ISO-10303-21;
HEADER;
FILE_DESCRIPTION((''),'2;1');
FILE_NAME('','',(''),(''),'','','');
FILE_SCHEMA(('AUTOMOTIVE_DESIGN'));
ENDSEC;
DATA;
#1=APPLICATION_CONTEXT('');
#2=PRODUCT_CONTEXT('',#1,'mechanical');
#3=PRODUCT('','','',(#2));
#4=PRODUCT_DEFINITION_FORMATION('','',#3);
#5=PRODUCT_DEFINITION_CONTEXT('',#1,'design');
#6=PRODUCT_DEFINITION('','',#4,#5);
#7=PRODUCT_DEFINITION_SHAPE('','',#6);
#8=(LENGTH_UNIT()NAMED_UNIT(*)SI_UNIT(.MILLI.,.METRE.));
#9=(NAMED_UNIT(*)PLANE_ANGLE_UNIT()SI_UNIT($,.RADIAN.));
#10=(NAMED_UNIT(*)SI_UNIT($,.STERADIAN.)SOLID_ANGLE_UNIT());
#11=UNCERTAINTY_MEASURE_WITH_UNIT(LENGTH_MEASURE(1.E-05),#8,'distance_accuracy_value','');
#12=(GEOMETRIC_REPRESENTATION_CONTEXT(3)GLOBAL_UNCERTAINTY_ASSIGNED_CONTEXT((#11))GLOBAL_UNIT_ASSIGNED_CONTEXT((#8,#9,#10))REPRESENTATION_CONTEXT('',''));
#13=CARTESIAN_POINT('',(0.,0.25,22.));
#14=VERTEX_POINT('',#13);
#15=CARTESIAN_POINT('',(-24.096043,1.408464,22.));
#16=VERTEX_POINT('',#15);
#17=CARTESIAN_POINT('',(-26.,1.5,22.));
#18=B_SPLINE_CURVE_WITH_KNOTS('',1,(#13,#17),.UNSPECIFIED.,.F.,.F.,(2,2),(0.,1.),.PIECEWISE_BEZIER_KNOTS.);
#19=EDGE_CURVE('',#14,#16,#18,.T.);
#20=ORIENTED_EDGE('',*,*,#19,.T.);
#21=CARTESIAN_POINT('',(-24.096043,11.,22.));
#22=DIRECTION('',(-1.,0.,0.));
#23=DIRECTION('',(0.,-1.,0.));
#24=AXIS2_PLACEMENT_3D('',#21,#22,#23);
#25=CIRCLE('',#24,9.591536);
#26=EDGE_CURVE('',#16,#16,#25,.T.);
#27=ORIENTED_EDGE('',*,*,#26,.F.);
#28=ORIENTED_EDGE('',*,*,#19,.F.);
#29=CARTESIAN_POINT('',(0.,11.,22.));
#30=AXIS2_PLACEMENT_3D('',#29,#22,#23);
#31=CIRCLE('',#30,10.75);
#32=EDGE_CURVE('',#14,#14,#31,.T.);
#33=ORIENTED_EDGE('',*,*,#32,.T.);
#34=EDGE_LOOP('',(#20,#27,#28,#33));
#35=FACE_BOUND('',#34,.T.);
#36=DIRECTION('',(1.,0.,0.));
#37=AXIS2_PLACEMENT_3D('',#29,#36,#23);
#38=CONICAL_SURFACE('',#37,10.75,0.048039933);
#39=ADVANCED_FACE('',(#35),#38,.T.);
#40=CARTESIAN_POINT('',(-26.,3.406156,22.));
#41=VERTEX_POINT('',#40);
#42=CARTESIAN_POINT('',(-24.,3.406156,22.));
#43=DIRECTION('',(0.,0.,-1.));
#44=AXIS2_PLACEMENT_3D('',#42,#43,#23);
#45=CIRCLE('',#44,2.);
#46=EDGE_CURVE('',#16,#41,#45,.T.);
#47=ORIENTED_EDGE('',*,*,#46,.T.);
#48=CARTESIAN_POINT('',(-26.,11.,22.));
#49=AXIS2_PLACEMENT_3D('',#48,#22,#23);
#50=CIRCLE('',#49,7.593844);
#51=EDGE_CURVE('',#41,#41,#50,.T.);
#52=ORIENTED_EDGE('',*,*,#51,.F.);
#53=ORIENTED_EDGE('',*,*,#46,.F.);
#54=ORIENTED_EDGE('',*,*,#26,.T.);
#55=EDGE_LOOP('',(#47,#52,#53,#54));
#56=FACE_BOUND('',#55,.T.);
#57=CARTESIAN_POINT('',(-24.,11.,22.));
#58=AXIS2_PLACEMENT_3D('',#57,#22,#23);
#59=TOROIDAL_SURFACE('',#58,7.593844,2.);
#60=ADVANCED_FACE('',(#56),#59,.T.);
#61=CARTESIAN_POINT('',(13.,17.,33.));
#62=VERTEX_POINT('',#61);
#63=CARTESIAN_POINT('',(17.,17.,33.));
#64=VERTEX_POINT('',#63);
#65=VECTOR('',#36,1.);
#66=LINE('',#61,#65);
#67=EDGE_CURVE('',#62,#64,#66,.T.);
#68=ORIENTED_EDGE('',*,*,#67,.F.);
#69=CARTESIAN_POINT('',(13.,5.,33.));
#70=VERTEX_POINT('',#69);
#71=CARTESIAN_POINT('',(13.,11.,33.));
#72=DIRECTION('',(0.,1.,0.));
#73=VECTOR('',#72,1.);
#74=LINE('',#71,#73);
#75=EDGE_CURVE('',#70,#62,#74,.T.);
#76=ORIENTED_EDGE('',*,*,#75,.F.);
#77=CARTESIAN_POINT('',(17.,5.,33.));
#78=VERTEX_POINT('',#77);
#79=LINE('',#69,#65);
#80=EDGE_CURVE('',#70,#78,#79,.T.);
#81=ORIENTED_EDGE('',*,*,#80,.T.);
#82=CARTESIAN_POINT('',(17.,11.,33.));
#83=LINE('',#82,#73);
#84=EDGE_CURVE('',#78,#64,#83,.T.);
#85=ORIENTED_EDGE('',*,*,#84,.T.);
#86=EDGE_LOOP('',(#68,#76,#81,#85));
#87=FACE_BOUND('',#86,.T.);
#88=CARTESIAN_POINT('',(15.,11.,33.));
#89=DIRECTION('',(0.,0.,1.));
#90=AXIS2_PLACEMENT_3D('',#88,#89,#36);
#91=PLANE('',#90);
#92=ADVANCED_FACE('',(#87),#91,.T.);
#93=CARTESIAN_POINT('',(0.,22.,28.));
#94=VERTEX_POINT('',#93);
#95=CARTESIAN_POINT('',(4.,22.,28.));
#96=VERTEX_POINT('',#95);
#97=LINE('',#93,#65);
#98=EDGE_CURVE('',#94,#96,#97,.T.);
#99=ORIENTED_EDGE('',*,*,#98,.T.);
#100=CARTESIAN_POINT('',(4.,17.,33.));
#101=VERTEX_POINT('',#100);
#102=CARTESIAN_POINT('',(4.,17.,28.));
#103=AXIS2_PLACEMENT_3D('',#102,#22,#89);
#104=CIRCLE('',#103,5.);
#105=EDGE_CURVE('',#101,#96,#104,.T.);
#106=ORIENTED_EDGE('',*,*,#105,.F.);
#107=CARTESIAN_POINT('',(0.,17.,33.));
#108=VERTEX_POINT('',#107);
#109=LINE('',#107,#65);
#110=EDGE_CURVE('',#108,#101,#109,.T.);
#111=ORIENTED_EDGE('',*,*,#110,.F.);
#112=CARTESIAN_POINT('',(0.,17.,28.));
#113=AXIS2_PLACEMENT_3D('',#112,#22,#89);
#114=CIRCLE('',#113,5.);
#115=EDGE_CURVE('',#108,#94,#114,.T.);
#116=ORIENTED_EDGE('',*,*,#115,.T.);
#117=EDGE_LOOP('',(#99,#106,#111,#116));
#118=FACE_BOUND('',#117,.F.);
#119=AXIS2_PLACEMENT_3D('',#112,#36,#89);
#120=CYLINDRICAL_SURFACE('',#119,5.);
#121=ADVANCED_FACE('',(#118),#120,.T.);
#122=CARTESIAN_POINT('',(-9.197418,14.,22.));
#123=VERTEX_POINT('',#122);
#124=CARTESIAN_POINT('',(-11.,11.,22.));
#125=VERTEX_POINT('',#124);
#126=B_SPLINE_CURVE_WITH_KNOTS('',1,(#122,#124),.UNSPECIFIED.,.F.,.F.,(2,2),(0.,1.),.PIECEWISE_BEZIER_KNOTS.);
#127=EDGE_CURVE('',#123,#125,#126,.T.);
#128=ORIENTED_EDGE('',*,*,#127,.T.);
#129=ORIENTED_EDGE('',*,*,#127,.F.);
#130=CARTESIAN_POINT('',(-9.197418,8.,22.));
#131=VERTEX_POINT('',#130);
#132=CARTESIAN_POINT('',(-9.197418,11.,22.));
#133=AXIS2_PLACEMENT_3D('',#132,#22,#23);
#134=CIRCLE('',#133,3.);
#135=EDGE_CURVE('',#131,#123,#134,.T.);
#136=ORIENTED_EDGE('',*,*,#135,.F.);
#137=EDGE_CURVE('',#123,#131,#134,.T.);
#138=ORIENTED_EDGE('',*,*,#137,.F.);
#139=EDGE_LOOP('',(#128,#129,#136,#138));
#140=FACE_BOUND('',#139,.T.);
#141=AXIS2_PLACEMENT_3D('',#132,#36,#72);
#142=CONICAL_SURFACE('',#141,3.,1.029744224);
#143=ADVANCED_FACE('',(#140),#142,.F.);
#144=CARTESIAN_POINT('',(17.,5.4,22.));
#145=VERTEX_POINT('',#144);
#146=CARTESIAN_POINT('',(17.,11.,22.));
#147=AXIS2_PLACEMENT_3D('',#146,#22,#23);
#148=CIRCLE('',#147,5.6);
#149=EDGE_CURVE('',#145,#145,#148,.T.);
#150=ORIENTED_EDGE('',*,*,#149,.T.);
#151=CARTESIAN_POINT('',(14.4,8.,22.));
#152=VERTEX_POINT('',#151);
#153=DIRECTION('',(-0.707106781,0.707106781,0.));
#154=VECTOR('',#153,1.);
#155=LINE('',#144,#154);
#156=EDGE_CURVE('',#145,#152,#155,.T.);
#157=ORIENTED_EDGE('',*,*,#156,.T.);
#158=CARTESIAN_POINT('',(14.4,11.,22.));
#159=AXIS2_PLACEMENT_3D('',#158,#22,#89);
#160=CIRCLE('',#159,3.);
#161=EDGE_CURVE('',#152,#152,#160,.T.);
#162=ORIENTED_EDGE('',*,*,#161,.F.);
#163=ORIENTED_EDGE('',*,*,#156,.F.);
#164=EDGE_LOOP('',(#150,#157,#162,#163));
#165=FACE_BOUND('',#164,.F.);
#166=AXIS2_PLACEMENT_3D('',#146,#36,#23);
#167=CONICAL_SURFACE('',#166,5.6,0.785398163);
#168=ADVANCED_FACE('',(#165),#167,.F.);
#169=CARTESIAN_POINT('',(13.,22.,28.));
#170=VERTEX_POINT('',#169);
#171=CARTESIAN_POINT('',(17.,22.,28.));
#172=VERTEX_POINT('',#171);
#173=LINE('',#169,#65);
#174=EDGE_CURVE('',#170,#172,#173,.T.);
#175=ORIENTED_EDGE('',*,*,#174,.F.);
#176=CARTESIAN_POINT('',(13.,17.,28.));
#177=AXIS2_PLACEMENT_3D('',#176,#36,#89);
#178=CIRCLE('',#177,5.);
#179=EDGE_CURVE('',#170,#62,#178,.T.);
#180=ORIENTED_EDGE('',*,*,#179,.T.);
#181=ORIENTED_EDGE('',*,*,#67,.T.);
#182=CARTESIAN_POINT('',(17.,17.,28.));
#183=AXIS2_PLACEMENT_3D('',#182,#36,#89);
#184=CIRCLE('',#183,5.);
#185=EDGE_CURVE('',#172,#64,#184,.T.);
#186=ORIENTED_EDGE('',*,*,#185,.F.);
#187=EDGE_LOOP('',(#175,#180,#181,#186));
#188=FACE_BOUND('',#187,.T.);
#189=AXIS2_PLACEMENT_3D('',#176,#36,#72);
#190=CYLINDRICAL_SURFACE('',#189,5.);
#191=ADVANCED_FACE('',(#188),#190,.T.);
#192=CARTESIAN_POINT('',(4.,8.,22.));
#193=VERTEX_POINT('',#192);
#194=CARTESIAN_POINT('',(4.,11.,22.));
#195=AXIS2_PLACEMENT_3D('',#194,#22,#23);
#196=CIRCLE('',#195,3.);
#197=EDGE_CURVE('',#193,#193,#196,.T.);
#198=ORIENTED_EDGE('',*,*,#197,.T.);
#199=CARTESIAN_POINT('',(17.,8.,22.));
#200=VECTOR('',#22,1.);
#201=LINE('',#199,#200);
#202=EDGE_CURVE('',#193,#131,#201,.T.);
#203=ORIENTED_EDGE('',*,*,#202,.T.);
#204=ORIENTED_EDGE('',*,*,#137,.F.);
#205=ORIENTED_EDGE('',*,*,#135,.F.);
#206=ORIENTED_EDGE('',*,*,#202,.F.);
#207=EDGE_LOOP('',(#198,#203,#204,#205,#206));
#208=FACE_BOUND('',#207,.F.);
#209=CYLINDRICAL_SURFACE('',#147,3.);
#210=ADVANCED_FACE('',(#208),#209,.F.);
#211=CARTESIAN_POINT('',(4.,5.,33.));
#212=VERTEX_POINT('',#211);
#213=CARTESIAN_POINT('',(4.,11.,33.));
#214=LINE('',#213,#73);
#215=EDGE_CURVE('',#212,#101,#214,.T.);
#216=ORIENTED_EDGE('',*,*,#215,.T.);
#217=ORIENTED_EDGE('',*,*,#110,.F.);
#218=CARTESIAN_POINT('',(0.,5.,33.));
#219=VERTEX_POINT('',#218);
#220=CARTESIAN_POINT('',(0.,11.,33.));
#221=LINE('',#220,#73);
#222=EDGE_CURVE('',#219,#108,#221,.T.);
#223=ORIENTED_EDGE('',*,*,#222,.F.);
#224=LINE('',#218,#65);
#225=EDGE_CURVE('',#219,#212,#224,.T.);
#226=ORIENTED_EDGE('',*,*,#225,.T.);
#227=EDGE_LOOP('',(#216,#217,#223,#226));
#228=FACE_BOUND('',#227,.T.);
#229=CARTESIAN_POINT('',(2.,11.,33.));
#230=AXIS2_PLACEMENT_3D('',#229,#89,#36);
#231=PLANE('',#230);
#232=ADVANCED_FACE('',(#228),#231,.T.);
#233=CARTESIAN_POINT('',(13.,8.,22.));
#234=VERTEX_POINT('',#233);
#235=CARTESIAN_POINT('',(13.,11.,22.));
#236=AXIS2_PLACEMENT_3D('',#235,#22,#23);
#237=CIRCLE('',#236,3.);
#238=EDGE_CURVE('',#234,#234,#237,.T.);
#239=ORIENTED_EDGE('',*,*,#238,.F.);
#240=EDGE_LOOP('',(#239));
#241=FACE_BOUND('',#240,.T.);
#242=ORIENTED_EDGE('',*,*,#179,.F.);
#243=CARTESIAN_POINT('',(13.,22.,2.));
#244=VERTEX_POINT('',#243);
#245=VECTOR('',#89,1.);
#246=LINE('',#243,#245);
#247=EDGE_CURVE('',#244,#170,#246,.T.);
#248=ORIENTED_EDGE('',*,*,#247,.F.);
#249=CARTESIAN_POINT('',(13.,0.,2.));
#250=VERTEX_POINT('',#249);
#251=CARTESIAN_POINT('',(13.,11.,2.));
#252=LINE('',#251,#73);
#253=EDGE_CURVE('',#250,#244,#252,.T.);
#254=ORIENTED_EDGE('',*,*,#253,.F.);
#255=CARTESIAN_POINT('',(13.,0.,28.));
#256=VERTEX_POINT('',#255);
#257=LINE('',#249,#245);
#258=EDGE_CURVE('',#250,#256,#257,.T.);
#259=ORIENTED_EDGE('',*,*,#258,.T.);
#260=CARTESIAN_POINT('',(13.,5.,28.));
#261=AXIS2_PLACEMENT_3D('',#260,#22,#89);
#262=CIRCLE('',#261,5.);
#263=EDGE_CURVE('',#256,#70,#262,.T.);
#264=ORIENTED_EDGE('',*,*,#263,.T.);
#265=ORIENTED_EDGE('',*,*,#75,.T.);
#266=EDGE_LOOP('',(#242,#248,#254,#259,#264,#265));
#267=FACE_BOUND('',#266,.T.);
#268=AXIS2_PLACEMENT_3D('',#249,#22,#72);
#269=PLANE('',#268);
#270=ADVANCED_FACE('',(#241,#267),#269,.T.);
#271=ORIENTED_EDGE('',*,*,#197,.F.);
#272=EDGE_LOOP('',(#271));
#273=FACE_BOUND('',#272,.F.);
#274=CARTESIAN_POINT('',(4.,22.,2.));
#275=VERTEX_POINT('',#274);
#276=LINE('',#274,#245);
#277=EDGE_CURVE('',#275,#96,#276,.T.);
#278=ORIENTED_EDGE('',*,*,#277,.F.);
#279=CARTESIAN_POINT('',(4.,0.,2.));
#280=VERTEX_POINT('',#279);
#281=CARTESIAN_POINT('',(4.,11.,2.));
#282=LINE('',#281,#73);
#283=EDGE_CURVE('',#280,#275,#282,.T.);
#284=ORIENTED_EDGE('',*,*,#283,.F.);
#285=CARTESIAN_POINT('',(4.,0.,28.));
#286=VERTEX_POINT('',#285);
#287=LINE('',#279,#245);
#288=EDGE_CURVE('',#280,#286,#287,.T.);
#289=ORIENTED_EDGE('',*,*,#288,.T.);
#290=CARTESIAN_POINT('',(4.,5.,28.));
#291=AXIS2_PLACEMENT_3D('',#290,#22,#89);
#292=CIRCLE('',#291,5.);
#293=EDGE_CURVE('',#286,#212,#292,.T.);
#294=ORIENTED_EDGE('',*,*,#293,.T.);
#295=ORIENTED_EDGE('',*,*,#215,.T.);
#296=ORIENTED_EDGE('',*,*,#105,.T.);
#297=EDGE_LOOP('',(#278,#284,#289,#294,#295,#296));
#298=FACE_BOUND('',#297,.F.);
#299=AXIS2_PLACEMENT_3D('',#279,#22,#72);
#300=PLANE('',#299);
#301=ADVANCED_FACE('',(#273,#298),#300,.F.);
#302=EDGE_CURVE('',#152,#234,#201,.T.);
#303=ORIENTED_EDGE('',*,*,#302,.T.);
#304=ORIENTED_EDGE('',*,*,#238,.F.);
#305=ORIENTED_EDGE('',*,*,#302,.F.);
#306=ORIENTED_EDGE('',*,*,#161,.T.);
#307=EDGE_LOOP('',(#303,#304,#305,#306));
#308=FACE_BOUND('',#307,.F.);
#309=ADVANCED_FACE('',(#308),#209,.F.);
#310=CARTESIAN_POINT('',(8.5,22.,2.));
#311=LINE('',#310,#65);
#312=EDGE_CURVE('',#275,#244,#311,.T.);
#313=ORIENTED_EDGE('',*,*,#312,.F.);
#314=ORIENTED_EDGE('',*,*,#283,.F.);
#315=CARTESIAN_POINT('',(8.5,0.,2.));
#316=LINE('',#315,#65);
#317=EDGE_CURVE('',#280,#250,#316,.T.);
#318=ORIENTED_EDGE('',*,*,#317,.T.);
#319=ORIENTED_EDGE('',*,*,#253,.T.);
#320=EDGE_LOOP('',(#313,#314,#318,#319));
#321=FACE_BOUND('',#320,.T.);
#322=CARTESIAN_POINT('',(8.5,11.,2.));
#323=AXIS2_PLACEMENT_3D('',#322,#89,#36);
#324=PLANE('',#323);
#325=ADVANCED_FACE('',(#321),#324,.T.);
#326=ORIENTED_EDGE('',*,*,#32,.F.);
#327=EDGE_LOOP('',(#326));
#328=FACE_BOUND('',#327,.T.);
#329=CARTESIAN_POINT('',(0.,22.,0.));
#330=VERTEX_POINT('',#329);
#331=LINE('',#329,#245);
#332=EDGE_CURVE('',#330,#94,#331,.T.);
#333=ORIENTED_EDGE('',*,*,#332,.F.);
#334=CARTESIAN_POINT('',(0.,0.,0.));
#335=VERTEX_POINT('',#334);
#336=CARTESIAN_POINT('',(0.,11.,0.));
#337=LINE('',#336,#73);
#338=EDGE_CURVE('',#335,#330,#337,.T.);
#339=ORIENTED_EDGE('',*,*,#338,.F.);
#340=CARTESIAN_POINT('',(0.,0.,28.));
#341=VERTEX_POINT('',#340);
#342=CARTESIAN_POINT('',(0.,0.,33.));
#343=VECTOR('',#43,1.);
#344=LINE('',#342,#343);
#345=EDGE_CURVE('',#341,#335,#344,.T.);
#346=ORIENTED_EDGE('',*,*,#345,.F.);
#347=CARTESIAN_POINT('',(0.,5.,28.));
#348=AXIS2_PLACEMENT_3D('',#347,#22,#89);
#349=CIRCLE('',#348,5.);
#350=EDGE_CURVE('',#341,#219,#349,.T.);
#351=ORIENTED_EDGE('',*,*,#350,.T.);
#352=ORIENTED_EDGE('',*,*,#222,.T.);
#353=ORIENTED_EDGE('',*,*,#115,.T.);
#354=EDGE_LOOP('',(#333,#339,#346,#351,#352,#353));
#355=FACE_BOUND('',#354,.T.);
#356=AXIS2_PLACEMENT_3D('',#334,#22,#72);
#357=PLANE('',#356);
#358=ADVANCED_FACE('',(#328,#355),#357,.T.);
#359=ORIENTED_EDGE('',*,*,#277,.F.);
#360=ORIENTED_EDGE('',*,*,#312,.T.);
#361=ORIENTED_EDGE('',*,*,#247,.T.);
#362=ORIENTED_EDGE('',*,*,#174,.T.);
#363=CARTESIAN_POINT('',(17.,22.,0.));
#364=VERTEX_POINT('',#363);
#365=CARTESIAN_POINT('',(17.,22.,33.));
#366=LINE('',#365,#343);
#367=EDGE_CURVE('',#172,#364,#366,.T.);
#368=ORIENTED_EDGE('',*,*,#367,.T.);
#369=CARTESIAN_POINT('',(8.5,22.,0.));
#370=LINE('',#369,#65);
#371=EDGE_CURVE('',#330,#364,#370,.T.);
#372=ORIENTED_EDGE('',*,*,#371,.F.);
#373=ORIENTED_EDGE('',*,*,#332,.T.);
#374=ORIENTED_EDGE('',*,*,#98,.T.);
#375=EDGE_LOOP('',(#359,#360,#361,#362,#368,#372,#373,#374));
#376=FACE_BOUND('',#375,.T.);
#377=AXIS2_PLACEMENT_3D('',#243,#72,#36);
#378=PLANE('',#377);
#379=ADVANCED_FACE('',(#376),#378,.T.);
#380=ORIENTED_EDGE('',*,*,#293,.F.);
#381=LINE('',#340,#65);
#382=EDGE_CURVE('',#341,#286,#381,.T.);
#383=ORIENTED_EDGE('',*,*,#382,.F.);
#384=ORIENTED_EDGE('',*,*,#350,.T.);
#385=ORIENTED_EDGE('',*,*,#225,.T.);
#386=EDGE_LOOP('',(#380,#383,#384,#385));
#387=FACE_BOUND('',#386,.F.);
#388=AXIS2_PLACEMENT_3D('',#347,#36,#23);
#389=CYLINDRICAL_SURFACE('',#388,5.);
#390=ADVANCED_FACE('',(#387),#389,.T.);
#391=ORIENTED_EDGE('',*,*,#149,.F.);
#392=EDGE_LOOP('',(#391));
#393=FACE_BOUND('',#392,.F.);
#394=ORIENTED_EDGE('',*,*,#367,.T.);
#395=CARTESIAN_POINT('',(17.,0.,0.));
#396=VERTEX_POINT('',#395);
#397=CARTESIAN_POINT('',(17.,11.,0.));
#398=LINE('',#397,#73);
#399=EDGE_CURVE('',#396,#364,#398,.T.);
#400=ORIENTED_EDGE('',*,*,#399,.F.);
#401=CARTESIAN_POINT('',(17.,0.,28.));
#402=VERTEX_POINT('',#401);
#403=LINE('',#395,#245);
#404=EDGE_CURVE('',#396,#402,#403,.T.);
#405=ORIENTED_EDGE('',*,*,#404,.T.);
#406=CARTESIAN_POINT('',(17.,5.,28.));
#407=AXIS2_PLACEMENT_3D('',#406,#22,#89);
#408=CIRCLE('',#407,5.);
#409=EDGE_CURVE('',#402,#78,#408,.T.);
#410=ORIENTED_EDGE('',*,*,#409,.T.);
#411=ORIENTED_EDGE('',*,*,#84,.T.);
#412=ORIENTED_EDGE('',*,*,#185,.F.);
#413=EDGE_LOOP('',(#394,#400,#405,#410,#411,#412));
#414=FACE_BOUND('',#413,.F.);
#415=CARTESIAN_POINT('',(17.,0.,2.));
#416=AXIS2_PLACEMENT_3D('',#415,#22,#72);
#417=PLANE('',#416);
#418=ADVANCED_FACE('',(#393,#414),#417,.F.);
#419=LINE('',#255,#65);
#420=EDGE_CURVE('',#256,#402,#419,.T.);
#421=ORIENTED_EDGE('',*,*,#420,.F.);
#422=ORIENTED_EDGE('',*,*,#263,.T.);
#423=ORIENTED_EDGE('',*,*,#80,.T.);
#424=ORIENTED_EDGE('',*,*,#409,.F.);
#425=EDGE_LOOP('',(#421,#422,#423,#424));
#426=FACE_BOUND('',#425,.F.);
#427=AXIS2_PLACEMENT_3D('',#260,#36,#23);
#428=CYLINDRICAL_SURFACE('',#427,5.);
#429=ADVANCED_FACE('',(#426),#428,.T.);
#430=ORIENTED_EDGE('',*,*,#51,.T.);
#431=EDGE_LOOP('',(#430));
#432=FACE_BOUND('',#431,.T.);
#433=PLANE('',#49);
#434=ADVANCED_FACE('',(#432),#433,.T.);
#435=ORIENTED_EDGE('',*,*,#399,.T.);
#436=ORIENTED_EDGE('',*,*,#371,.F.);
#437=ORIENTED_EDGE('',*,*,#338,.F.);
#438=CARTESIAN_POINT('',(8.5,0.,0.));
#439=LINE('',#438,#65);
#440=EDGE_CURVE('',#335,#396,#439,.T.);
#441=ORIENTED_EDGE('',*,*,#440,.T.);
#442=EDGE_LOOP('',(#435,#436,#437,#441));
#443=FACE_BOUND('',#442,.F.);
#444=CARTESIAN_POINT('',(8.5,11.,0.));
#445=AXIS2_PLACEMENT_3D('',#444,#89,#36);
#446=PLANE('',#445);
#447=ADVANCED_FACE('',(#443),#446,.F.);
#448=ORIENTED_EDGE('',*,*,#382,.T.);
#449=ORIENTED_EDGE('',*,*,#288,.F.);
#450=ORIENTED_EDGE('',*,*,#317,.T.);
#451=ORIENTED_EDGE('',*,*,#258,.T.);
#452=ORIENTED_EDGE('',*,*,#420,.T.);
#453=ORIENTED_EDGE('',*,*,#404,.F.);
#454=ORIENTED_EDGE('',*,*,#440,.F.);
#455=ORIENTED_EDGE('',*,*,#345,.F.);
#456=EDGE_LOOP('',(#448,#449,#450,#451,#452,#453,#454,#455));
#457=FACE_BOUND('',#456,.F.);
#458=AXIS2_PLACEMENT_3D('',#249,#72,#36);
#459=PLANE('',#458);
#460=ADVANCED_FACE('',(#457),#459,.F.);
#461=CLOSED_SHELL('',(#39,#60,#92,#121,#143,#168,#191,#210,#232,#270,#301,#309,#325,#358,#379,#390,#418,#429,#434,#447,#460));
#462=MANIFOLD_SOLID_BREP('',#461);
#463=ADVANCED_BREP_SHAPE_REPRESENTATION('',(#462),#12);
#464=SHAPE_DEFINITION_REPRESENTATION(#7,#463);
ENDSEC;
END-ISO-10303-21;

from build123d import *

# Parameters (mm, degrees)
SKETCH_W         = 17
SKETCH_H         = 22
PAD_DEPTH        = 2
SKETCH001_W      = 4
SKETCH001_H      = 22
PAD001_DEPTH     = 31
SKETCH002_R      = 10.75
SKETCH003_R      = 9.5
FILLET_R         = 2
HOLE_D           = 6
HOLE_DEPTH       = 26.197418
HOLE_CSINK_D     = 11.2
HOLE_CSINK_ANGLE = 90
HOLE_TIPS_R      = 3
FILLET001_R      = 5


with BuildPart() as part:
    # Sketch → Pad (new body)
    with BuildSketch(Plane.XY):
        with Locations((8.5, 11)):
            Rectangle(SKETCH_W, SKETCH_H)
    extrude(amount=PAD_DEPTH)

    # Sketch001 (on Face6 of Pad) → Pad001 (join)
    with BuildSketch(Plane.XY.offset(2)):
        with Locations((15, 11)):
            Rectangle(SKETCH001_W, SKETCH001_H)
        with Locations((2, 11)):
            Rectangle(SKETCH001_W, SKETCH001_H)
    extrude(amount=PAD001_DEPTH)

    # Sketch002 (on Face9 of Pad001) → AdditiveLoft section 0
    with BuildSketch(Plane(origin=(0, 0, 0), x_dir=(0, -1, 0), z_dir=(-1, 0, 0))):
        with Locations((-11, 22)):
            Circle(SKETCH002_R)
    # Sketch003 (on Face9 of Pad001) → AdditiveLoft section 1
    with BuildSketch(Plane(origin=(-26, 0, 0), x_dir=(0, -1, 0), z_dir=(-1, 0, 0))):
        with Locations((-11, 22)):
            Circle(SKETCH003_R)
    loft()

    # Fillet
    fillet_edges = [part.edges().sort_by_distance(p)[0] for p in [
        (-26, 20.5, 22),
    ]]
    fillet(fillet_edges, radius=FILLET_R)

    # Hole
    with Locations(Plane.YZ.offset(17)):
        with Locations((11, 22)):
            CounterSinkHole(HOLE_D / 2, HOLE_CSINK_D / 2, depth=HOLE_DEPTH, counter_sink_angle=HOLE_CSINK_ANGLE)

    # Hole tips → Hole tip 1 section 0
    with BuildSketch(Plane.YZ.offset(-9.197418), mode=Mode.PRIVATE) as hole_tip_1_s0:
        with Locations((11, 22)):
            Circle(HOLE_TIPS_R)
    loft([hole_tip_1_s0.sketch, Vertex(-11, 11, 22)], mode=Mode.SUBTRACT)

    # Fillet001
    fillet001_edges = [part.edges().sort_by_distance(p)[0] for p in [
        (15, 0, 33),
        (2, 0, 33),
        (2, 22, 33),
        (15, 22, 33),
    ]]
    fillet(fillet001_edges, radius=FILLET001_R)


solid = part.part
